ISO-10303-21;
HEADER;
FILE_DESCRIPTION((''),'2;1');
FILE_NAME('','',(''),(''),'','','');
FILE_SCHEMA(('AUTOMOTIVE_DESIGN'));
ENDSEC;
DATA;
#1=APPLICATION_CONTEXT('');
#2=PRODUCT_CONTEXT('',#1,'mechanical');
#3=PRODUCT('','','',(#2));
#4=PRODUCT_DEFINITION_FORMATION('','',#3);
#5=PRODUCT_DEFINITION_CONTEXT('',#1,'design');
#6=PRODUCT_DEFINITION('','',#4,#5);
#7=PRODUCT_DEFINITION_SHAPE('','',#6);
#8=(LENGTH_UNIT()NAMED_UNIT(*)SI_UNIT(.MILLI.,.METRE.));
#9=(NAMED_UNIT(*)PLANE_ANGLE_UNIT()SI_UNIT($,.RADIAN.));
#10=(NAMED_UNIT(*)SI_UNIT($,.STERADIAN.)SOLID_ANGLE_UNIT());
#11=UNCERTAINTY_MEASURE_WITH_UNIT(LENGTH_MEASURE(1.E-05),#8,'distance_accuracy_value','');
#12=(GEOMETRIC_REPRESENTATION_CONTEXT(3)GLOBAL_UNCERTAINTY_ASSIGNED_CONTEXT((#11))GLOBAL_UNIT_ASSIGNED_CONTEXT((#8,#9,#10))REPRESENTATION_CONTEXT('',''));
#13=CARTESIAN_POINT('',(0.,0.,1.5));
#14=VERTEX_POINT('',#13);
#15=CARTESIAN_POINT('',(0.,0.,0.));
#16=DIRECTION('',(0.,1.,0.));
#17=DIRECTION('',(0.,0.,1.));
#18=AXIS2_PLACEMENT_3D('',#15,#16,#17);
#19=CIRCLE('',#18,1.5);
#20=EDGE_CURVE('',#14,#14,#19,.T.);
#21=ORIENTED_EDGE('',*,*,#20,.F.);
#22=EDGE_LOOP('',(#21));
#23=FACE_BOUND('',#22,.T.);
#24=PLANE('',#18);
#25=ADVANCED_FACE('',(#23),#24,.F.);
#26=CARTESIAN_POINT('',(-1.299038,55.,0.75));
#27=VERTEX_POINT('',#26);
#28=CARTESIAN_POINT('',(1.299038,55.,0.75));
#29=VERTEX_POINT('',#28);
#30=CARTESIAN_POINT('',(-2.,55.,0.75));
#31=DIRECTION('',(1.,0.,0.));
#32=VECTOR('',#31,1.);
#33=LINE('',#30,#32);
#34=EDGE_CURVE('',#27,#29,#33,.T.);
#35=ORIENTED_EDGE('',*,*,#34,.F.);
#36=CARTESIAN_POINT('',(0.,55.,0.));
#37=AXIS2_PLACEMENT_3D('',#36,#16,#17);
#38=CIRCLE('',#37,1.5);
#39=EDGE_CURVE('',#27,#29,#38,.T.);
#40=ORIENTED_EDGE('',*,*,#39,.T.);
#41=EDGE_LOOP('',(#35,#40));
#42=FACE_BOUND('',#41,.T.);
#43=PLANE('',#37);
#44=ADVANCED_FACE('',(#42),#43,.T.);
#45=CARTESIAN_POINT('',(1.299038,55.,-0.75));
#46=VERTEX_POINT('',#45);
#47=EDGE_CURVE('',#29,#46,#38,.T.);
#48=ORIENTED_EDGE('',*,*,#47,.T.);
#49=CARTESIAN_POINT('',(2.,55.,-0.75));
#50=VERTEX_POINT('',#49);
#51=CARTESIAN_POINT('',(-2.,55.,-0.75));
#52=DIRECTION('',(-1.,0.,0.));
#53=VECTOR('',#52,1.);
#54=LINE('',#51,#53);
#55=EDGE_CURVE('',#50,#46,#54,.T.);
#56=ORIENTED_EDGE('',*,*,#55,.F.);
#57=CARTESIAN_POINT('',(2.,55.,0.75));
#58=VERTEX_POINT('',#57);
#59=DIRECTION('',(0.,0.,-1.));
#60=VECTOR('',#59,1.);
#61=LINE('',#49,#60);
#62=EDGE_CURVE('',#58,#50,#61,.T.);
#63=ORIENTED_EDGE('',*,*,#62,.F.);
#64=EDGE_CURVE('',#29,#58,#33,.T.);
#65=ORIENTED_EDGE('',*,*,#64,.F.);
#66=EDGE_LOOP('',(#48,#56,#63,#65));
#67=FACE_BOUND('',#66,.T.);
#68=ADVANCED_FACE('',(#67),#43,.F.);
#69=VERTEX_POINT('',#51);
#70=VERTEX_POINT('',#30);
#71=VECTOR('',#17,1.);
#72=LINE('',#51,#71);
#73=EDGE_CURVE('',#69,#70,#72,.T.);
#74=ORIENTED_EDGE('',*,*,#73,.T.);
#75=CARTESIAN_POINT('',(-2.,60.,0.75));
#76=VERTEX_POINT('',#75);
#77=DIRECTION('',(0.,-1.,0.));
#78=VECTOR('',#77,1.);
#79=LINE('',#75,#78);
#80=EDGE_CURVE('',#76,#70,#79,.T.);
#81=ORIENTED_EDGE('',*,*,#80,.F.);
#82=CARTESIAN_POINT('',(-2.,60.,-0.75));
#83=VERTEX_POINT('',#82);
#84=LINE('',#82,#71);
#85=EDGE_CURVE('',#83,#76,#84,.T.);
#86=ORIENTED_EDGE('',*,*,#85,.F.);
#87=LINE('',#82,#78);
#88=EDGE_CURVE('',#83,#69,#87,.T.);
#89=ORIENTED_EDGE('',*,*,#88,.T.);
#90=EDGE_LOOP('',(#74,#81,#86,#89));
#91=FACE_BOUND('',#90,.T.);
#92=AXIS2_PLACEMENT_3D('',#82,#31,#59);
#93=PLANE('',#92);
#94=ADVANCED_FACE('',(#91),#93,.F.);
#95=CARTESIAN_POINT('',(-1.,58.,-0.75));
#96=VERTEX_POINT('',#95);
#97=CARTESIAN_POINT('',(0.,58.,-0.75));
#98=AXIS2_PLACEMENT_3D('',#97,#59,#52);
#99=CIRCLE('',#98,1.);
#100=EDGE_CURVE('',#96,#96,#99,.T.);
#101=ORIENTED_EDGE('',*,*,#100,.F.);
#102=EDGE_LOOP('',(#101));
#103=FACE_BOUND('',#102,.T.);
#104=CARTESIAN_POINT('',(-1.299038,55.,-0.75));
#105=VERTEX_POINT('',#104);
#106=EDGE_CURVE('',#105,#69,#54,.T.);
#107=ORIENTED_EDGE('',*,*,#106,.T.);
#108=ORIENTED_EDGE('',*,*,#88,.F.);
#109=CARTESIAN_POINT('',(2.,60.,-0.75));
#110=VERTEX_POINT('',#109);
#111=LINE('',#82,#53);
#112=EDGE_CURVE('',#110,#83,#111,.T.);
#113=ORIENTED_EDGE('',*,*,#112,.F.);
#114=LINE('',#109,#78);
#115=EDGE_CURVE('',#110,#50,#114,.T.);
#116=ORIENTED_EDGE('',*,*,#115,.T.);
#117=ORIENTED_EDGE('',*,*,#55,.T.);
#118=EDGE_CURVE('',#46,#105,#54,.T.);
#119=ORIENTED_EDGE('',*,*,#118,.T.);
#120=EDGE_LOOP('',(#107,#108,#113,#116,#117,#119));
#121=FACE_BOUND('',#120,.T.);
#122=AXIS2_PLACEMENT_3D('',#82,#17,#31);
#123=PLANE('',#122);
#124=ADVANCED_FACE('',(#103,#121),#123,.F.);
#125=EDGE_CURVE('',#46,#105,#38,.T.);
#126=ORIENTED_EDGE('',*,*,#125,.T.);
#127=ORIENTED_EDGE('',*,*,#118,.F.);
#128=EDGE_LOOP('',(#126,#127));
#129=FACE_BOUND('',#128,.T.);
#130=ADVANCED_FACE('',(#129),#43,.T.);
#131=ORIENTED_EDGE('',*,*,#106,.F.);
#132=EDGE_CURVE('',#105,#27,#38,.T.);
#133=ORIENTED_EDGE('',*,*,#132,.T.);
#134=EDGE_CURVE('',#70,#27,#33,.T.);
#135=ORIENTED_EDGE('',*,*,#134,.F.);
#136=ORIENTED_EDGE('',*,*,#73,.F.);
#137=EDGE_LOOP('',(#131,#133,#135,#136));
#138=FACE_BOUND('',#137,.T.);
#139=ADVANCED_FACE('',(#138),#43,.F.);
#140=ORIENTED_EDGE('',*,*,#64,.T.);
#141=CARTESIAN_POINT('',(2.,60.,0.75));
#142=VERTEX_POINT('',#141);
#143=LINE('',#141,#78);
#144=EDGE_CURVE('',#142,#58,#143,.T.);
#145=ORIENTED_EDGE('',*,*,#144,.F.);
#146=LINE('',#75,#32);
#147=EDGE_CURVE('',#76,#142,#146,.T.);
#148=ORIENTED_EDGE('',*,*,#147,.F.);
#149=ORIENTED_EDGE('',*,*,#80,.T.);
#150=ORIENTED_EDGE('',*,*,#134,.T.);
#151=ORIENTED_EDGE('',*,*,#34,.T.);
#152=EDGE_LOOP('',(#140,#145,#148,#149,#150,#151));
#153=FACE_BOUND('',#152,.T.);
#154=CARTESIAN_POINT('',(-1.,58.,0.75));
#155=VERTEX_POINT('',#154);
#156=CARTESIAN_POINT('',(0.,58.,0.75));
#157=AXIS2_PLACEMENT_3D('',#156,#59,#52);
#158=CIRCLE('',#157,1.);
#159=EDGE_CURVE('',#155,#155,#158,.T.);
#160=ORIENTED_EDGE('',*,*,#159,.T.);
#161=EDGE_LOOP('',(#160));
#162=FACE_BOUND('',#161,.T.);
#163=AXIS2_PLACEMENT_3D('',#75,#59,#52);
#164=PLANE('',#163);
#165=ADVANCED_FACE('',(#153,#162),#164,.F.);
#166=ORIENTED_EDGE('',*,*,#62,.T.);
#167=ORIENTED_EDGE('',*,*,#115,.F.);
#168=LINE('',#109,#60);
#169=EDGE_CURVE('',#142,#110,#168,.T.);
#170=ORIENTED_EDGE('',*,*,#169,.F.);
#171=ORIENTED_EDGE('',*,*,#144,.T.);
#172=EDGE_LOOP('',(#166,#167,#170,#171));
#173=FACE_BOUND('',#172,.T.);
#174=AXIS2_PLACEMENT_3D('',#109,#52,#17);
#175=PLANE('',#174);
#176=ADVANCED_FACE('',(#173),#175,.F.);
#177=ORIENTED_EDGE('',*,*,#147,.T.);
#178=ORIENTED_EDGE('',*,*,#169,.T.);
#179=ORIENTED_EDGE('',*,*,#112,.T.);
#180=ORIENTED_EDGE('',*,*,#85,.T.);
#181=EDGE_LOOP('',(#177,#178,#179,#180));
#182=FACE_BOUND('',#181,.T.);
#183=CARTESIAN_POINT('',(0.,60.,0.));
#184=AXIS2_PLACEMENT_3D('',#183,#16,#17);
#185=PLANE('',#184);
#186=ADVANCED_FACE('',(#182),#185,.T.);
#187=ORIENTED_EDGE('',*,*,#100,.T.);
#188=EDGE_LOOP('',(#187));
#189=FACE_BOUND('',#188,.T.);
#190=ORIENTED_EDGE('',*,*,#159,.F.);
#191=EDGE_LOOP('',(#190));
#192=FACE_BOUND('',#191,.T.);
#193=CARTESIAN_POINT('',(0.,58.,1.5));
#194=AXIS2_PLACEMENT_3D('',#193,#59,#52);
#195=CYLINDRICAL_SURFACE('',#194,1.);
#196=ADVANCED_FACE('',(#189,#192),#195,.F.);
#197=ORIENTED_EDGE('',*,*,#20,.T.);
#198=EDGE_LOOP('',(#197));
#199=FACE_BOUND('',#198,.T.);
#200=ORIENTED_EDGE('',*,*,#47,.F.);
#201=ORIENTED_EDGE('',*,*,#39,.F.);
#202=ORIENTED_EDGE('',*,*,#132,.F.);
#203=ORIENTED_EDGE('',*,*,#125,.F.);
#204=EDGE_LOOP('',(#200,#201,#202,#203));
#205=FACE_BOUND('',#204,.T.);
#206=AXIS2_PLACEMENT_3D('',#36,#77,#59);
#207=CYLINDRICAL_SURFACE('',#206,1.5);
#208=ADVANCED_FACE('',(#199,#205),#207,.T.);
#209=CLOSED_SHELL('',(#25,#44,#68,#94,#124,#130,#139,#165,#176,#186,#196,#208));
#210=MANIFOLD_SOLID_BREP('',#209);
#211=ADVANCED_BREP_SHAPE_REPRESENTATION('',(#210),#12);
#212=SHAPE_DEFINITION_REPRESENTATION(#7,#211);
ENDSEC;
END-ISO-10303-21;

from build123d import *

# Parameters (mm, degrees)
SKETCH1_R           = 1.5
BOSS_EXTRUDE1_DEPTH = 55
SKETCH2_W           = 4
SKETCH2_H           = 1.5
BOSS_EXTRUDE2_DEPTH = 5
SKETCH3_R           = 1
CUT_EXTRUDE1_DEPTH  = 3.25


with BuildPart() as part:
    # Sketch1 → Boss-Extrude1 (new body)
    with BuildSketch(Plane(origin=(0, 0, 0), x_dir=(1, 0, 0), z_dir=(0, 1, 0))):
        Circle(SKETCH1_R)
    extrude(amount=BOSS_EXTRUDE1_DEPTH)

    # Sketch2 → Boss-Extrude2 (add)
    with BuildSketch(Plane(origin=(0, 55, 0), x_dir=(1, 0, 0), z_dir=(0, 1, 0))):
        Rectangle(SKETCH2_W, SKETCH2_H)
    extrude(amount=BOSS_EXTRUDE2_DEPTH)

    # Sketch3 → Cut-Extrude1 (cut, through all)
    with BuildSketch(Plane(origin=(0, 0, -0.75), x_dir=(-1, 0, 0), z_dir=(0, 0, -1))):
        with Locations((0, 58)):
            Circle(SKETCH3_R)
    extrude(amount=-CUT_EXTRUDE1_DEPTH, mode=Mode.SUBTRACT)


solid = part.part
